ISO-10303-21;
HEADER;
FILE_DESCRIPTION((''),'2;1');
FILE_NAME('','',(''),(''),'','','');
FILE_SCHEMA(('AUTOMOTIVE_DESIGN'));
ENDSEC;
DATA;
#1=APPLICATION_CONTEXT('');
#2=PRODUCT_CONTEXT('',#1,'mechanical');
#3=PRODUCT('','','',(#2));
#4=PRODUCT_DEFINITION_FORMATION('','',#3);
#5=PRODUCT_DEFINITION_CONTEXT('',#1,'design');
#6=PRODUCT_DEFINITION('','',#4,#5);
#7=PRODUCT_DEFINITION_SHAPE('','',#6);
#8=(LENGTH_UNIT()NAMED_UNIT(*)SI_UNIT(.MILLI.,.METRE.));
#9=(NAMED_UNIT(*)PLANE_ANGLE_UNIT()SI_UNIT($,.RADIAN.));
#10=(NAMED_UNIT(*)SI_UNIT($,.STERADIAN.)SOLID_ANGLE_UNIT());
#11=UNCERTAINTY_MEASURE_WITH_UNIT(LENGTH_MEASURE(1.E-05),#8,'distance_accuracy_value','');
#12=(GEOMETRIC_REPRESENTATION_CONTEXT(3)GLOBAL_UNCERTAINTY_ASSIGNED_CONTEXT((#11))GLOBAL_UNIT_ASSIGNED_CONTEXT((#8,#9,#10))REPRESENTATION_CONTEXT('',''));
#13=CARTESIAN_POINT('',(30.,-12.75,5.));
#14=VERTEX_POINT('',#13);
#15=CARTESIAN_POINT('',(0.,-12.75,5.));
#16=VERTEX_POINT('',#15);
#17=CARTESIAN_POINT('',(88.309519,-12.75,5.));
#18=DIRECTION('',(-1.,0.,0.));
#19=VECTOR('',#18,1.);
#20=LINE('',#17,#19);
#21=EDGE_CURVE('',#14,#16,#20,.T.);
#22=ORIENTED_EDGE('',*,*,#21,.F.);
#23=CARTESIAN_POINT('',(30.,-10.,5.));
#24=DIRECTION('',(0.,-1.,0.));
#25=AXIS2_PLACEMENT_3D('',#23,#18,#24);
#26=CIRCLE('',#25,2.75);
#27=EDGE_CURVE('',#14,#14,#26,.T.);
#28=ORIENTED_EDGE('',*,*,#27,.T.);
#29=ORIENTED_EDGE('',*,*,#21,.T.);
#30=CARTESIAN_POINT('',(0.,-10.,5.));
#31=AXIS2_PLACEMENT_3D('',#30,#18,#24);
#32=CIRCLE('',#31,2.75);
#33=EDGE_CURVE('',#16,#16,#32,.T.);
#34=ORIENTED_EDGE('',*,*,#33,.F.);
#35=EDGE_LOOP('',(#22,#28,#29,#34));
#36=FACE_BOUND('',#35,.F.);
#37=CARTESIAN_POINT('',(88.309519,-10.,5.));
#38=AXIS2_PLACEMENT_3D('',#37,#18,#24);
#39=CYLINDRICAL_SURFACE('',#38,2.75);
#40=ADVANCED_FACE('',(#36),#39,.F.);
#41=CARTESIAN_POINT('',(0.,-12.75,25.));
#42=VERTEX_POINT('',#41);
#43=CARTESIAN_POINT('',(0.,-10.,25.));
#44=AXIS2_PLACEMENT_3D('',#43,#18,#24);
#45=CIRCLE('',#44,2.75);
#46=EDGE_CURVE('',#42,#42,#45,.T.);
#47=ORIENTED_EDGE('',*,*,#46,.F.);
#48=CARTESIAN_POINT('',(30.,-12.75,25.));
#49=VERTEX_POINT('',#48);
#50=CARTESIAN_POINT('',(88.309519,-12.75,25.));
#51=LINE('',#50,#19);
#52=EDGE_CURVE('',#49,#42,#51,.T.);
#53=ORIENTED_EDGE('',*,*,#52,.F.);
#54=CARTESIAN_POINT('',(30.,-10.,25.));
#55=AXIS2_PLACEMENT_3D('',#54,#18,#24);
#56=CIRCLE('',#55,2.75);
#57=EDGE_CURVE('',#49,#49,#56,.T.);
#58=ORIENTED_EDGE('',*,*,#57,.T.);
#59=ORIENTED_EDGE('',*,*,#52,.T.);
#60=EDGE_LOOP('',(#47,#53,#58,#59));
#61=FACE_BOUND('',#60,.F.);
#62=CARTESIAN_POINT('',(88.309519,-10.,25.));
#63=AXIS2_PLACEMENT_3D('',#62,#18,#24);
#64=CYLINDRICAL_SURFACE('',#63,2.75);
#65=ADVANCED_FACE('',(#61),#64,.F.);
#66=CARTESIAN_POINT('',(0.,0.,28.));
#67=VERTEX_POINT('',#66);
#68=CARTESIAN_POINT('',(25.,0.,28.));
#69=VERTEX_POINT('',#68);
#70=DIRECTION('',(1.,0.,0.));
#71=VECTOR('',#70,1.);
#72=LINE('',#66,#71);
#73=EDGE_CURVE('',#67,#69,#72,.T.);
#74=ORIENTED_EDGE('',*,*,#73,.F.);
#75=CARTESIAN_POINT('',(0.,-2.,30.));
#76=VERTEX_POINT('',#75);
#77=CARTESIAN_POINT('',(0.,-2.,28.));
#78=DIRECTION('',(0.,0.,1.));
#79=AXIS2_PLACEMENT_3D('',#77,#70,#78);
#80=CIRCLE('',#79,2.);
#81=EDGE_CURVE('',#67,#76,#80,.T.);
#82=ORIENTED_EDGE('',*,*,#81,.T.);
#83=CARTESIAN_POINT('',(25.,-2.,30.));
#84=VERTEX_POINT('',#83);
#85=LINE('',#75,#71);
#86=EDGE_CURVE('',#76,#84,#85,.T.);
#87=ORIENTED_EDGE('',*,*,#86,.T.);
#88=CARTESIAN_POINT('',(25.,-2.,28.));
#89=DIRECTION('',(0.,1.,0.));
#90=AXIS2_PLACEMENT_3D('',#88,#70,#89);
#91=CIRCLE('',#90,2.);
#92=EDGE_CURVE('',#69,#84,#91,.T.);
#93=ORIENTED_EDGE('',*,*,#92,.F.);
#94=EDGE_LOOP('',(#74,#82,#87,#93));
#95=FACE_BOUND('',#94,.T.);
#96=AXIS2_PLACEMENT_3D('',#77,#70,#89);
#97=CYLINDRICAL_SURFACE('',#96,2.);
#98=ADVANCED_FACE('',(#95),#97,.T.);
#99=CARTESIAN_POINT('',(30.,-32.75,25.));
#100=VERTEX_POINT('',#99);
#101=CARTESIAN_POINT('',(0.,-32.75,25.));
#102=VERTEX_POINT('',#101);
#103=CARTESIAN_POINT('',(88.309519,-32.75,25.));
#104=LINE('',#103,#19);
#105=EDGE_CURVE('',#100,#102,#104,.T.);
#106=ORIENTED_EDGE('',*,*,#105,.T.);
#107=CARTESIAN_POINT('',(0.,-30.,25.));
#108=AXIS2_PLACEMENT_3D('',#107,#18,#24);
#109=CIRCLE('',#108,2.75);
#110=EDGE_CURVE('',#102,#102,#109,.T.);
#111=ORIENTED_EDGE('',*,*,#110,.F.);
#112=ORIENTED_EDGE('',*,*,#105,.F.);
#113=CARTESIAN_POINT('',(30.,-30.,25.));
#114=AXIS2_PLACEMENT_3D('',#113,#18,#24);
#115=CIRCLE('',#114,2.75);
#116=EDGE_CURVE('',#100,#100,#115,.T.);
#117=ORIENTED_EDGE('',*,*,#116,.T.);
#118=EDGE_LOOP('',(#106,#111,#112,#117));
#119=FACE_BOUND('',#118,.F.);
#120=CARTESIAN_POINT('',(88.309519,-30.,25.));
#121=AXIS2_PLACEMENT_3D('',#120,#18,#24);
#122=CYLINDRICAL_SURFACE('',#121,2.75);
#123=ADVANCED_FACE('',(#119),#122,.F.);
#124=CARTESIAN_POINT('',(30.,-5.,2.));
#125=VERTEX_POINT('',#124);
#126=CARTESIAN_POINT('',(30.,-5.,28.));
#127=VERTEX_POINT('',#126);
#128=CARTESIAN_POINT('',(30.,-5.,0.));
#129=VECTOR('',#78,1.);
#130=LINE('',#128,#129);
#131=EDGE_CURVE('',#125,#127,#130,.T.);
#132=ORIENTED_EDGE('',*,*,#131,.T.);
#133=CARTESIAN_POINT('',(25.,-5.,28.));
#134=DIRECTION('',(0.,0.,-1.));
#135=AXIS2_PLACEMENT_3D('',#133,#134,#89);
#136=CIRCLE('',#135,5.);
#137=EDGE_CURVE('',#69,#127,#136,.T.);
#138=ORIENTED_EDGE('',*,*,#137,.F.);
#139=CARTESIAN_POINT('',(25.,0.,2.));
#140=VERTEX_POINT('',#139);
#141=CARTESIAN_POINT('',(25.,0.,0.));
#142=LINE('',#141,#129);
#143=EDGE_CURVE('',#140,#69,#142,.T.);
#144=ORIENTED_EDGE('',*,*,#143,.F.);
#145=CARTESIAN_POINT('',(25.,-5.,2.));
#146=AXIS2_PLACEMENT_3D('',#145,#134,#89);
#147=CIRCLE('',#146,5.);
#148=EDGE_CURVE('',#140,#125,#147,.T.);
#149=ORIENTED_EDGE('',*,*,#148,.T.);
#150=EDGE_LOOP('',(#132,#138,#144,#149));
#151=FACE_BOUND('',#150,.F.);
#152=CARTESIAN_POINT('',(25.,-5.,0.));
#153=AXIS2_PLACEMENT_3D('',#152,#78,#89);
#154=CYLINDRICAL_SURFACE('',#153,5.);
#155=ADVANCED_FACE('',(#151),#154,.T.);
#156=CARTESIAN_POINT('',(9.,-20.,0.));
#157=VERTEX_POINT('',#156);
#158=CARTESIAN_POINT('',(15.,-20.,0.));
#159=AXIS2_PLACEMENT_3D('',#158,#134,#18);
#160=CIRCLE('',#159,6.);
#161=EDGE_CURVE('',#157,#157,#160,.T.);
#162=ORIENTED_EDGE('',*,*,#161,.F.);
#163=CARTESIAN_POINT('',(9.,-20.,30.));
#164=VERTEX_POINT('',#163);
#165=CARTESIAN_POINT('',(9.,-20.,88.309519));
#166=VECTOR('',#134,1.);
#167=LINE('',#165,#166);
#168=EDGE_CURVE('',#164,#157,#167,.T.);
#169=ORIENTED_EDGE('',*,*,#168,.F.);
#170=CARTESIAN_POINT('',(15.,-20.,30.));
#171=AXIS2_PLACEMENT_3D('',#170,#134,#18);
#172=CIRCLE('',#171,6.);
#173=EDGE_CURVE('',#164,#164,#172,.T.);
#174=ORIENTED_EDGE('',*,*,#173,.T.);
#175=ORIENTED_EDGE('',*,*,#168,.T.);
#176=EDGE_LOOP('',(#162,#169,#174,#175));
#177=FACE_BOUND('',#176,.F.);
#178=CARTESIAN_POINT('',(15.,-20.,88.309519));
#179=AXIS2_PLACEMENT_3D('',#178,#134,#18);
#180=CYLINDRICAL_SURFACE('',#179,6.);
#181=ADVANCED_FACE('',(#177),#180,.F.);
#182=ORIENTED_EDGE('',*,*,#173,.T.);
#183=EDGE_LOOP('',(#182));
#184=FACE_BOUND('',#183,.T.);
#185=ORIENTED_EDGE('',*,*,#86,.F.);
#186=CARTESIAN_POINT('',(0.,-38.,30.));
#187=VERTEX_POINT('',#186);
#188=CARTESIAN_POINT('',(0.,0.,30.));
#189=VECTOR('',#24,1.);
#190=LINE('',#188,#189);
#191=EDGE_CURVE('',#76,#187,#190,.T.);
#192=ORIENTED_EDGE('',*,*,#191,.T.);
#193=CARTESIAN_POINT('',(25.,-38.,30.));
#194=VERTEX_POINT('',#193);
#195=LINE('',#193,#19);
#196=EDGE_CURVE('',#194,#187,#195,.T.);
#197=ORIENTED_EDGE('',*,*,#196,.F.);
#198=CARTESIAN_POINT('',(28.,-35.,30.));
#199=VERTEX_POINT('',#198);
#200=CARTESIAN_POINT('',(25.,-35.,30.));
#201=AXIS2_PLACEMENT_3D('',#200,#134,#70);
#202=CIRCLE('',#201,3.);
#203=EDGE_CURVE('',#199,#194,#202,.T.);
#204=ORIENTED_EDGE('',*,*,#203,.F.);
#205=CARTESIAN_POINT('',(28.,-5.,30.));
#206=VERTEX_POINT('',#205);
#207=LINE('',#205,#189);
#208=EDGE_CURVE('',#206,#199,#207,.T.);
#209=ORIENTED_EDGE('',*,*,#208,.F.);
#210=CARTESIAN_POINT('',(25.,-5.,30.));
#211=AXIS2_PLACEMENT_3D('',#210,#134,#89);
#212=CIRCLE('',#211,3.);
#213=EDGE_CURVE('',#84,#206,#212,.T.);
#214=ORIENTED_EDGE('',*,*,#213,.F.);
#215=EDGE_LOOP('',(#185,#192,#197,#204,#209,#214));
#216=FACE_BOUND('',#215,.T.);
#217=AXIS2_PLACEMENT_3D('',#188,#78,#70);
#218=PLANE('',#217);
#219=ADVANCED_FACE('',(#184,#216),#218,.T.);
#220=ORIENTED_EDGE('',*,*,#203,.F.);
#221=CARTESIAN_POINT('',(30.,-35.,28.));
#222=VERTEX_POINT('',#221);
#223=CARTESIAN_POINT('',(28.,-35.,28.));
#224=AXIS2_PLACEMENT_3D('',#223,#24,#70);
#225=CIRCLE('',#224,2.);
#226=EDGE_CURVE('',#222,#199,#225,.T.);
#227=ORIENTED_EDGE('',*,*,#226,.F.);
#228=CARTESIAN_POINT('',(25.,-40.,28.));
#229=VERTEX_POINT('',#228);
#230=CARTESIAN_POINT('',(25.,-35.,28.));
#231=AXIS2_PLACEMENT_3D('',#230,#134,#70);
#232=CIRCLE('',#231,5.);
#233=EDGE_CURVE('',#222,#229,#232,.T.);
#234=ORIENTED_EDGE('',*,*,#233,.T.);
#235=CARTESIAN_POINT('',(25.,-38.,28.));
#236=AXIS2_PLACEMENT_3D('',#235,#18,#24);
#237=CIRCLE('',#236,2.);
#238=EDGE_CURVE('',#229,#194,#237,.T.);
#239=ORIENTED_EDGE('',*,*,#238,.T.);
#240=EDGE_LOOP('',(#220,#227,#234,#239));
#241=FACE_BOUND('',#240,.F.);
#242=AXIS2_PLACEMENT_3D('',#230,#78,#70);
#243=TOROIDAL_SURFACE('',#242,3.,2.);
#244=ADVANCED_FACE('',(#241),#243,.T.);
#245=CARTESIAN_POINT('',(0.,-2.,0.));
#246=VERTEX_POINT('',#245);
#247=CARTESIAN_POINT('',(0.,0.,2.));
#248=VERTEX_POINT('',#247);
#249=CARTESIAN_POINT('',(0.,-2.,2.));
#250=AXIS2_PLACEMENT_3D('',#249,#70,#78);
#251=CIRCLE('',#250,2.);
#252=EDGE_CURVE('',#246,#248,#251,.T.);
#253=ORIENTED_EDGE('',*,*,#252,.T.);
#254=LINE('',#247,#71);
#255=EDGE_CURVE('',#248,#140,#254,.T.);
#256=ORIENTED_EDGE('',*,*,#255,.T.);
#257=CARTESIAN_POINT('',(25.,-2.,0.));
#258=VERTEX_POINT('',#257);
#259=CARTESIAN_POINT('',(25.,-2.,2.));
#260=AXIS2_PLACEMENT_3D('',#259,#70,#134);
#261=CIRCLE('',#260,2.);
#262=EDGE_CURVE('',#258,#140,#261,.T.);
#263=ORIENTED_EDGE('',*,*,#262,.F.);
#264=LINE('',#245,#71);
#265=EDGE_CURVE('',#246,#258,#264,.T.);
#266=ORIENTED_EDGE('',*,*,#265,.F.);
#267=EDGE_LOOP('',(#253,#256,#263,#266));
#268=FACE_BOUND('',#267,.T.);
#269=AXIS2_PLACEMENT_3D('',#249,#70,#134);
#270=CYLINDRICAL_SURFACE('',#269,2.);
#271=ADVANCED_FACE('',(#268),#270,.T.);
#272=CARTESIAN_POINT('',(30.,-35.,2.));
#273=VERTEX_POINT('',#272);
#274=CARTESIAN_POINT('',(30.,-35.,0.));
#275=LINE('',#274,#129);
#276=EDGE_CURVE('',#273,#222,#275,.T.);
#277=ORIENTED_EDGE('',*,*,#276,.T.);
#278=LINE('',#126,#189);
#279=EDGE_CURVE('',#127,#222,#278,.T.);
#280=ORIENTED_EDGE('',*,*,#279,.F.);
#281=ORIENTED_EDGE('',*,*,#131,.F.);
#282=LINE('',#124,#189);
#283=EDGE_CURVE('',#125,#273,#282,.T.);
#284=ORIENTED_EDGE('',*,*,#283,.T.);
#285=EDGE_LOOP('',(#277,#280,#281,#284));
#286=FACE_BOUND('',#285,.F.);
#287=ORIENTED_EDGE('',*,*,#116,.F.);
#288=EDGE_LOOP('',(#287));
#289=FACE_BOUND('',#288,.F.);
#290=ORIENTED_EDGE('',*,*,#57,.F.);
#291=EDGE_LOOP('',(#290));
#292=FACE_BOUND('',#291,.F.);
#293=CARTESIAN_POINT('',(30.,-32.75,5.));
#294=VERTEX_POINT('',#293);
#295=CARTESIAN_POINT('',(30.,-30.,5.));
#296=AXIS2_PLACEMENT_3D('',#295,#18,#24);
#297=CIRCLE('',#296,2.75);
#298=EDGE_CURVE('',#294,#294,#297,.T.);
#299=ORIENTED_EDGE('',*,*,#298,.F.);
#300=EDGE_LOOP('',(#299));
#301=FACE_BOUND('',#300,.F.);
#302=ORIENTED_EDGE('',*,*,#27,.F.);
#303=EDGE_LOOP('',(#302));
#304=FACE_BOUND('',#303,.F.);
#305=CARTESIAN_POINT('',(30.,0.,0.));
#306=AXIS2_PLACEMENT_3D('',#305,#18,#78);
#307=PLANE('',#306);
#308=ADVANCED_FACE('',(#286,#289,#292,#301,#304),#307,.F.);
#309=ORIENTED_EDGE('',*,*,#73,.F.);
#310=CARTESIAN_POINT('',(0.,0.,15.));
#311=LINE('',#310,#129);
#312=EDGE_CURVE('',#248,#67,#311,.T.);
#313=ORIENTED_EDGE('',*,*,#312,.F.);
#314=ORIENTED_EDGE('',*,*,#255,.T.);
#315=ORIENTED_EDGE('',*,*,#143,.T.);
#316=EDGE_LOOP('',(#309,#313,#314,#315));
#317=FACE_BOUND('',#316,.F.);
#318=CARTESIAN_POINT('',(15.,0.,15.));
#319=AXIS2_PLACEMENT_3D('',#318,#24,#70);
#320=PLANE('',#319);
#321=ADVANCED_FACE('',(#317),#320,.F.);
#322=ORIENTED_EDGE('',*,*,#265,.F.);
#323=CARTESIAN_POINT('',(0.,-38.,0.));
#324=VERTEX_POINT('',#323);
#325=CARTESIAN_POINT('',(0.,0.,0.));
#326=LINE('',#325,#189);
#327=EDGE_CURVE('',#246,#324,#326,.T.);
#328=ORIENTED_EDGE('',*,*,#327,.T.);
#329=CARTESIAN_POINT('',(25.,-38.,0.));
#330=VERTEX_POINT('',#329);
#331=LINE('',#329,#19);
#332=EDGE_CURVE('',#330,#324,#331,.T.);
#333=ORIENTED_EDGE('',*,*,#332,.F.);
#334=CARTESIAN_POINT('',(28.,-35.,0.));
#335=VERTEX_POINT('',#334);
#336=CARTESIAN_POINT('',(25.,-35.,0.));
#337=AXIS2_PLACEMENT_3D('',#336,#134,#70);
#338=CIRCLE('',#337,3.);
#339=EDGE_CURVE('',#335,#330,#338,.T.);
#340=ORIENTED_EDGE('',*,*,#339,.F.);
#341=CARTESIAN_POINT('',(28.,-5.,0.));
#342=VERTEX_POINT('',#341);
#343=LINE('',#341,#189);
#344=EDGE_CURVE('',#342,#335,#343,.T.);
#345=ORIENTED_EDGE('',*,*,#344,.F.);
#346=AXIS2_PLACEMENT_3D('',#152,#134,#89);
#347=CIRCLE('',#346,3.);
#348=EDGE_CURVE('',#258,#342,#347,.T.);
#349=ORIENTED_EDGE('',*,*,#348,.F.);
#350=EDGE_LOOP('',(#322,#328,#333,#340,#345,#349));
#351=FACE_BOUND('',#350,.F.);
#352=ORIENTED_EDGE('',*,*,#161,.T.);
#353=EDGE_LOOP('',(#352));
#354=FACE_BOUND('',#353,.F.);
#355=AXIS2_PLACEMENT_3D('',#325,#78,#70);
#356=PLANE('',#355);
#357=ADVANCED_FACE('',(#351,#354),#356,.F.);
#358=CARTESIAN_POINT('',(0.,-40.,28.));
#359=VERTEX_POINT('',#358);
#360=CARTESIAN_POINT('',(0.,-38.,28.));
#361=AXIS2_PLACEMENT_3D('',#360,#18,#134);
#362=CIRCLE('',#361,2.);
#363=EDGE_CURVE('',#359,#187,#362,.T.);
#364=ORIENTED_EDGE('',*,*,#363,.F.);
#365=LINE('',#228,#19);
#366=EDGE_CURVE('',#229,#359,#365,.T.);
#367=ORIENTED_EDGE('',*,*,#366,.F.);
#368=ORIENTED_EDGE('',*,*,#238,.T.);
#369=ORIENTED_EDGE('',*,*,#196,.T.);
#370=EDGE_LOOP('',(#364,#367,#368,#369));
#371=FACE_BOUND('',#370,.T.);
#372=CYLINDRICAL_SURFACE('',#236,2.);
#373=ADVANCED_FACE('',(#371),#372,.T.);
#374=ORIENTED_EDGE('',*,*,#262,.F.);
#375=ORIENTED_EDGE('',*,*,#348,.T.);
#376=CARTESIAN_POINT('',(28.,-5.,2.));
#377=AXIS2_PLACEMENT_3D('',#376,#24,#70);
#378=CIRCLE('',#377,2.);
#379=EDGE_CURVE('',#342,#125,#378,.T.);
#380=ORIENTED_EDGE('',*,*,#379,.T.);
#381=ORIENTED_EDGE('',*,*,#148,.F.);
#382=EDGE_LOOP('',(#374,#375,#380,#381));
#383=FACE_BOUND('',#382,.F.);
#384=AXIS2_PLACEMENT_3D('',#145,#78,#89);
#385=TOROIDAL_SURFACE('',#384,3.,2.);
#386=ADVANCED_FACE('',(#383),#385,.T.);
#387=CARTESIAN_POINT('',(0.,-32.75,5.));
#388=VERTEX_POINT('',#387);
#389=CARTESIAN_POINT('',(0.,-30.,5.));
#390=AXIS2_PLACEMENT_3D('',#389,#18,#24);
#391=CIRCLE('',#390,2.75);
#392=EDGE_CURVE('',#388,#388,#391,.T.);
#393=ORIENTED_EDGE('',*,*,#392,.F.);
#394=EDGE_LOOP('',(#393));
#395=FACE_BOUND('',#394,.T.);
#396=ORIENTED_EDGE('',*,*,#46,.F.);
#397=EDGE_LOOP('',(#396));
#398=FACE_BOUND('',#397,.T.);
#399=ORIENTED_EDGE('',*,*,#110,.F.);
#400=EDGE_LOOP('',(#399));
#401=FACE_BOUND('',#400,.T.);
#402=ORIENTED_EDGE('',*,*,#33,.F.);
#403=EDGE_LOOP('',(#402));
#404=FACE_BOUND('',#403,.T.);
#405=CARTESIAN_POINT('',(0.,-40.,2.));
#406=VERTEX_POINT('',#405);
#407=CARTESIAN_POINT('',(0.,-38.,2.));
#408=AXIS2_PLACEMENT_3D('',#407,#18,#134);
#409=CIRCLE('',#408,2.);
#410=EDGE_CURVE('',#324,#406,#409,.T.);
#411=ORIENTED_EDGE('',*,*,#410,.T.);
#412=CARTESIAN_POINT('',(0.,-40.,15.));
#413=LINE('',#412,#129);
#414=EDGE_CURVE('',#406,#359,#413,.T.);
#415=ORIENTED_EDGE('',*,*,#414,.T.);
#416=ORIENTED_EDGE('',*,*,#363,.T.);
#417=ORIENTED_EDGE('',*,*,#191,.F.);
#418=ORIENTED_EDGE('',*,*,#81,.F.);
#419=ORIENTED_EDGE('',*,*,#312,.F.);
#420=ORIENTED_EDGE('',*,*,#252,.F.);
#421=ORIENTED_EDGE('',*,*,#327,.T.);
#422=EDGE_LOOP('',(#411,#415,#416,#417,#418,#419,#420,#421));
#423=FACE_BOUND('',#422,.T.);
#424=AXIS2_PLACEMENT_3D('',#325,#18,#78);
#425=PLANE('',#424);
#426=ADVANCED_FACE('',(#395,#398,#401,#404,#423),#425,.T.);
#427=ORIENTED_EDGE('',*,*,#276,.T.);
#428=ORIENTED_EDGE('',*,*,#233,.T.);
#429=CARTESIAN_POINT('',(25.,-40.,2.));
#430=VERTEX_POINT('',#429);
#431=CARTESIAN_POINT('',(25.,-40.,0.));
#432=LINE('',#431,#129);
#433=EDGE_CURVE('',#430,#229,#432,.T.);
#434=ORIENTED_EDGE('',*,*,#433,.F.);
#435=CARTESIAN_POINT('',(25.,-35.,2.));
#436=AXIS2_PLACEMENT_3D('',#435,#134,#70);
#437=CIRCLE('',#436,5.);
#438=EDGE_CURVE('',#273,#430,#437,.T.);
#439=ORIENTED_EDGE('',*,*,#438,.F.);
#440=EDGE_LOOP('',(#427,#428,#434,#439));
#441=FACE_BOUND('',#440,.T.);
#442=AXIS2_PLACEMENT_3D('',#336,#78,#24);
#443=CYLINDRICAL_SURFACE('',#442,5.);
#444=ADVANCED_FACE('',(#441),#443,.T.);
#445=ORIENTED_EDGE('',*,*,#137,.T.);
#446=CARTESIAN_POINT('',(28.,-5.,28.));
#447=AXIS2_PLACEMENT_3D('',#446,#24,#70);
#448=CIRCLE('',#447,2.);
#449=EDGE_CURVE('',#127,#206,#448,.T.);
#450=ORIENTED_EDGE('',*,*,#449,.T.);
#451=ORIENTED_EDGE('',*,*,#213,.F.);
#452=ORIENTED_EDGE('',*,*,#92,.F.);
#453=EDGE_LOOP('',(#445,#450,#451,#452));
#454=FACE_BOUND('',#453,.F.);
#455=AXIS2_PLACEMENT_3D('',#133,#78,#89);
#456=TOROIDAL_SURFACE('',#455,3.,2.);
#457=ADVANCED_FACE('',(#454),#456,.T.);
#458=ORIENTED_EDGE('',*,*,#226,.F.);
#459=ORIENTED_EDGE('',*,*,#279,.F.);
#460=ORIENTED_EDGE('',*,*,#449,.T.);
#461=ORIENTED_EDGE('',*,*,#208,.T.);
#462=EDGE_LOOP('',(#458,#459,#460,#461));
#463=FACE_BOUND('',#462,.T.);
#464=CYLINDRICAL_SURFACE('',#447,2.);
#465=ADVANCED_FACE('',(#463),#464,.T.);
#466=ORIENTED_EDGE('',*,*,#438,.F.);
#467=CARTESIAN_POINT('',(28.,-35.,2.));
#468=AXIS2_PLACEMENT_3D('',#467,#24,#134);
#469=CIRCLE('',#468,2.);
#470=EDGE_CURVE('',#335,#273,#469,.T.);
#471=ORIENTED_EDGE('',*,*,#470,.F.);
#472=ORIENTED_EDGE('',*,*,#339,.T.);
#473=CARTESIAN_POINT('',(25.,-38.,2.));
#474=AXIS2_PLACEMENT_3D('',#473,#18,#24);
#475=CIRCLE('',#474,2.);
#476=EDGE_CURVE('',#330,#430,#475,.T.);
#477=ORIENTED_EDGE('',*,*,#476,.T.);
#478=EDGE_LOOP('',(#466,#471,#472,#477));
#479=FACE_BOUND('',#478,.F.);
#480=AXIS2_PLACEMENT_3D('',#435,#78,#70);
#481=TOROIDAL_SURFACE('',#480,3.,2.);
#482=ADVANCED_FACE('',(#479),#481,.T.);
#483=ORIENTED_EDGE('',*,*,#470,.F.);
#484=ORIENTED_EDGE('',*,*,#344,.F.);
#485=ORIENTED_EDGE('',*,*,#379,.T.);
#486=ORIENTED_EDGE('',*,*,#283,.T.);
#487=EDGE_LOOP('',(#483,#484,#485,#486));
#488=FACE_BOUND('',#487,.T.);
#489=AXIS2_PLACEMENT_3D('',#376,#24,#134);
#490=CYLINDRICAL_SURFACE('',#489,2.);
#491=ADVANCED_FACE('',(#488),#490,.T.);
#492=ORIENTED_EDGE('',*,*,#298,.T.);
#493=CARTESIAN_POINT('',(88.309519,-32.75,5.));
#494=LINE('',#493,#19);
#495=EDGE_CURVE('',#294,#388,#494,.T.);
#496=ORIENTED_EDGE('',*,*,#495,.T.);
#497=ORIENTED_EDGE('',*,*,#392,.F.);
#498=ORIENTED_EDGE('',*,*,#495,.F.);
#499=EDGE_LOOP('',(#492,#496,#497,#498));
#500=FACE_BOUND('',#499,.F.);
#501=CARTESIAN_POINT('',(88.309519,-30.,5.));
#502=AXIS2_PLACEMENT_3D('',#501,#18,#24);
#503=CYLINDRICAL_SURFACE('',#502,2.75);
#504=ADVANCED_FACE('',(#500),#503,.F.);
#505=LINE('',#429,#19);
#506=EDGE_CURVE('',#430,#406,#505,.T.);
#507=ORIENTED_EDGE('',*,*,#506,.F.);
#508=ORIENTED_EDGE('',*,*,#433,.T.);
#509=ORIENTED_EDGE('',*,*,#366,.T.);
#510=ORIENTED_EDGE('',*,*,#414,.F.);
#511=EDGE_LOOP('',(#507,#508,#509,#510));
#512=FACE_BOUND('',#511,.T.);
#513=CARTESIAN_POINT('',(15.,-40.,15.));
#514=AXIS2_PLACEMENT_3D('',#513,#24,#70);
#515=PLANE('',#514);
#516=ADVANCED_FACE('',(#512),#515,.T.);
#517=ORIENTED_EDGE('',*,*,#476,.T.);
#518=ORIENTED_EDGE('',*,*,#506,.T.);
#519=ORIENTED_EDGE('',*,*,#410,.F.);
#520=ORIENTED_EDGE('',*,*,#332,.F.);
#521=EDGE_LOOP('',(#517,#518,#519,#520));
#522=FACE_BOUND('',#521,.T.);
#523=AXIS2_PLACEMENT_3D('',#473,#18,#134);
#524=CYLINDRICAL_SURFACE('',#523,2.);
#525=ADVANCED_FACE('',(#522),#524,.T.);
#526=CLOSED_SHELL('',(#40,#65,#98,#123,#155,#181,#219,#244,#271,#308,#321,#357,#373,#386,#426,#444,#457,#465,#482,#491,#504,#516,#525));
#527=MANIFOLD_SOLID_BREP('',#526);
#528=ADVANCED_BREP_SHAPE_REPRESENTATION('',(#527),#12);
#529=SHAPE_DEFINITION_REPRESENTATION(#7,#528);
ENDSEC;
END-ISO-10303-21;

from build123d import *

# Parameters (mm, degrees)
F0_W     = 30
F0_H     = 30
F1_DEPTH = 40
F3_D     = 12
F5_D     = 5.5
F6_R     = 5
F7_R     = 2


with BuildPart() as f1:
    # F0 (on Front) → F1 (new body)
    with BuildSketch(Plane.XZ):
        with Locations((15, 15)):
            Rectangle(F0_W, F0_H)
    extrude(amount=F1_DEPTH)

    # F3 (through all)
    with Locations(Plane.XY.offset(30)):
        with Locations((15, -20)):
            Hole(F3_D / 2)

    # F5 (through all)
    with Locations(Plane.YZ.offset(30)):
        with Locations((-30, 25), (-10, 25), (-10, 5), (-30, 5)):
            Hole(F5_D / 2)

    # F6
    f6_edges = [f1.edges().sort_by_distance(p)[0] for p in [
        (30, 0, 15),
        (30, -40, 15),
    ]]
    fillet(f6_edges, radius=F6_R)

    # F7
    f7_edges = [f1.edges().sort_by_distance(p)[0] for p in [
        (30, -20, 30),
        (30, -20, 0),
    ]]
    fillet(f7_edges, radius=F7_R)


solid = f1.part
